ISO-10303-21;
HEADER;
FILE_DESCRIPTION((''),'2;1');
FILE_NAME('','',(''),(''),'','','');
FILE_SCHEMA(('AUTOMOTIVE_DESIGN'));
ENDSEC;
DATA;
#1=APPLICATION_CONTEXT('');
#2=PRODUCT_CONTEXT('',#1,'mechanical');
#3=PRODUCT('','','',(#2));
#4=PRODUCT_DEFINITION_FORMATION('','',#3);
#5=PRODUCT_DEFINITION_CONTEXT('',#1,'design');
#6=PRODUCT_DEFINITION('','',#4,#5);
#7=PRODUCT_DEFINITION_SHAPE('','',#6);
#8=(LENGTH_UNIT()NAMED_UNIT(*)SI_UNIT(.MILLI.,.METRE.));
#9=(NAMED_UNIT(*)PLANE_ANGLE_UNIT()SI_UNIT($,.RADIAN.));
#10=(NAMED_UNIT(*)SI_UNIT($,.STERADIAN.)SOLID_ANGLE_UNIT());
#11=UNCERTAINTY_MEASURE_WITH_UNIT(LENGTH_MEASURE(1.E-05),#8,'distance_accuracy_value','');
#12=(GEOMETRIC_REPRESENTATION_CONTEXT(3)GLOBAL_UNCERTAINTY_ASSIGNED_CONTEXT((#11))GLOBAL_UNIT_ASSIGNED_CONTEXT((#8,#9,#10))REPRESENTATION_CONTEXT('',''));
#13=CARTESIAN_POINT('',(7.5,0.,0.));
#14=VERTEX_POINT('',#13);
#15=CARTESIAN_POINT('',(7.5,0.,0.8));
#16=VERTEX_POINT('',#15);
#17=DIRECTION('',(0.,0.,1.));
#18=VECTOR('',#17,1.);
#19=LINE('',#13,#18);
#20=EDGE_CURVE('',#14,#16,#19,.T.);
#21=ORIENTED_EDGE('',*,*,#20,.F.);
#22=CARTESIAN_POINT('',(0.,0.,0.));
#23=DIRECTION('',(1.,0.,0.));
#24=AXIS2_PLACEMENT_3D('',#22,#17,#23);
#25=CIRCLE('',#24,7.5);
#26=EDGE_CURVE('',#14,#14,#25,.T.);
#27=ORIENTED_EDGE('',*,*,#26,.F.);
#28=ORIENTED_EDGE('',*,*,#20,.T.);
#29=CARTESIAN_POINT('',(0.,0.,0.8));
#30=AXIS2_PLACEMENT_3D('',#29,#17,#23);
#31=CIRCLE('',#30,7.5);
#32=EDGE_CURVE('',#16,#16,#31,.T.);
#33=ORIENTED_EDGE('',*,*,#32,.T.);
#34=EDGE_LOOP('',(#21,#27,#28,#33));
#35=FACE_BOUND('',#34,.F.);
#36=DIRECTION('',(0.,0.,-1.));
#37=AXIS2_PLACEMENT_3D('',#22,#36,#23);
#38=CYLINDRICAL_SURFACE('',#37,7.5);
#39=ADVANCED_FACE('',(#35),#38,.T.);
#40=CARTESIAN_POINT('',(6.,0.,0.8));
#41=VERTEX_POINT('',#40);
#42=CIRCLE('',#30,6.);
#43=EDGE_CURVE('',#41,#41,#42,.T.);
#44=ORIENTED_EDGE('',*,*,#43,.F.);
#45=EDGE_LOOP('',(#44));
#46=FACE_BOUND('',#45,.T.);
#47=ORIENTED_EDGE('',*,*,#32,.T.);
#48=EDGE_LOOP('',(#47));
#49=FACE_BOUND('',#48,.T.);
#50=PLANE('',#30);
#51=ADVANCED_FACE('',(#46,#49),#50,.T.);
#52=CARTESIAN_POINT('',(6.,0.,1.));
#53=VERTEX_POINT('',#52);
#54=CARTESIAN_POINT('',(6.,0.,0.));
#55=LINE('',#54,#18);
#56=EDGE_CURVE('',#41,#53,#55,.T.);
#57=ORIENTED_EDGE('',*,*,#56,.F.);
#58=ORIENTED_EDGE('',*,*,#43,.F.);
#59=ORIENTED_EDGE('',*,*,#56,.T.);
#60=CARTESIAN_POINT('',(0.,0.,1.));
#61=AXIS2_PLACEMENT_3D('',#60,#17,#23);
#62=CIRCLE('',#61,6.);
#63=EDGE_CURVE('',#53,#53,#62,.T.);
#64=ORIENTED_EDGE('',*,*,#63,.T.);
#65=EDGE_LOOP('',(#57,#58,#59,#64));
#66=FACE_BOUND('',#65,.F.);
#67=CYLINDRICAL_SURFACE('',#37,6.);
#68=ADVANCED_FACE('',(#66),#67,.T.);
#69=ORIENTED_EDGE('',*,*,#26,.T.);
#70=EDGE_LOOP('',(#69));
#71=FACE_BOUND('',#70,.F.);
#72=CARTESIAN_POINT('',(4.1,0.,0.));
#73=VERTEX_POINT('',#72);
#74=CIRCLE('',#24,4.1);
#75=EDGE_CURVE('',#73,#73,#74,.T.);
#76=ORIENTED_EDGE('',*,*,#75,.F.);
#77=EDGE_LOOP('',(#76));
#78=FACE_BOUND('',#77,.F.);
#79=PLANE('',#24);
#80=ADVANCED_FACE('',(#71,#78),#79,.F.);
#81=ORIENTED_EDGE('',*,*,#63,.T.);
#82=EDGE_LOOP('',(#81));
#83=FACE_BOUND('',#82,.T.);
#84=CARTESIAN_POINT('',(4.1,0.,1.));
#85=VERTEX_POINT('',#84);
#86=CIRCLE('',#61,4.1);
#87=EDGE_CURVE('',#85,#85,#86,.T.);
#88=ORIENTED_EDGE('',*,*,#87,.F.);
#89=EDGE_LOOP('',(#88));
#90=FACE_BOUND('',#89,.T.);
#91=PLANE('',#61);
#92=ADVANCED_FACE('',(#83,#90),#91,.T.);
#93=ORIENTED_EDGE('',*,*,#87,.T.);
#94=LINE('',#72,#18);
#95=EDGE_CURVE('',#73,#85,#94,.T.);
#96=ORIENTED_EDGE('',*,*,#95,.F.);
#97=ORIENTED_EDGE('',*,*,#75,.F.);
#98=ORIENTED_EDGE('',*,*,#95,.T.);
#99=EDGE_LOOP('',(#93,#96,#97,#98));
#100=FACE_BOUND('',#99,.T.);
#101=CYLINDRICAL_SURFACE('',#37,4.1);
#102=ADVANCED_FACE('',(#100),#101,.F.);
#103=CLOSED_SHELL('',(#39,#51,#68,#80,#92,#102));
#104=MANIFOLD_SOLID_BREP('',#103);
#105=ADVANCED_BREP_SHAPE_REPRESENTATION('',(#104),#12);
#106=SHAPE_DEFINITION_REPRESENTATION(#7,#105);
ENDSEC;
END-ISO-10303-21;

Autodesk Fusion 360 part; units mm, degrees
sketch "Sketch1" plane through (0, 0, 0) normal (0, 0, 1) x (1, 0, 0)
  circle A0 centre (0, 0) radius 4.1
  circle A1 centre (0, 0) radius 7.5
  circle A2 centre (0, 0) radius 6
  dimension "d1" = 8.2
  dimension "d2" = 15
  dimension "d3" = 12
extrude "Extrude1" add sketch "Sketch1" along normal blind 1 contours A2
extrude "Extrude2" add sketch "Sketch1" along normal blind 0.8 contours A1
